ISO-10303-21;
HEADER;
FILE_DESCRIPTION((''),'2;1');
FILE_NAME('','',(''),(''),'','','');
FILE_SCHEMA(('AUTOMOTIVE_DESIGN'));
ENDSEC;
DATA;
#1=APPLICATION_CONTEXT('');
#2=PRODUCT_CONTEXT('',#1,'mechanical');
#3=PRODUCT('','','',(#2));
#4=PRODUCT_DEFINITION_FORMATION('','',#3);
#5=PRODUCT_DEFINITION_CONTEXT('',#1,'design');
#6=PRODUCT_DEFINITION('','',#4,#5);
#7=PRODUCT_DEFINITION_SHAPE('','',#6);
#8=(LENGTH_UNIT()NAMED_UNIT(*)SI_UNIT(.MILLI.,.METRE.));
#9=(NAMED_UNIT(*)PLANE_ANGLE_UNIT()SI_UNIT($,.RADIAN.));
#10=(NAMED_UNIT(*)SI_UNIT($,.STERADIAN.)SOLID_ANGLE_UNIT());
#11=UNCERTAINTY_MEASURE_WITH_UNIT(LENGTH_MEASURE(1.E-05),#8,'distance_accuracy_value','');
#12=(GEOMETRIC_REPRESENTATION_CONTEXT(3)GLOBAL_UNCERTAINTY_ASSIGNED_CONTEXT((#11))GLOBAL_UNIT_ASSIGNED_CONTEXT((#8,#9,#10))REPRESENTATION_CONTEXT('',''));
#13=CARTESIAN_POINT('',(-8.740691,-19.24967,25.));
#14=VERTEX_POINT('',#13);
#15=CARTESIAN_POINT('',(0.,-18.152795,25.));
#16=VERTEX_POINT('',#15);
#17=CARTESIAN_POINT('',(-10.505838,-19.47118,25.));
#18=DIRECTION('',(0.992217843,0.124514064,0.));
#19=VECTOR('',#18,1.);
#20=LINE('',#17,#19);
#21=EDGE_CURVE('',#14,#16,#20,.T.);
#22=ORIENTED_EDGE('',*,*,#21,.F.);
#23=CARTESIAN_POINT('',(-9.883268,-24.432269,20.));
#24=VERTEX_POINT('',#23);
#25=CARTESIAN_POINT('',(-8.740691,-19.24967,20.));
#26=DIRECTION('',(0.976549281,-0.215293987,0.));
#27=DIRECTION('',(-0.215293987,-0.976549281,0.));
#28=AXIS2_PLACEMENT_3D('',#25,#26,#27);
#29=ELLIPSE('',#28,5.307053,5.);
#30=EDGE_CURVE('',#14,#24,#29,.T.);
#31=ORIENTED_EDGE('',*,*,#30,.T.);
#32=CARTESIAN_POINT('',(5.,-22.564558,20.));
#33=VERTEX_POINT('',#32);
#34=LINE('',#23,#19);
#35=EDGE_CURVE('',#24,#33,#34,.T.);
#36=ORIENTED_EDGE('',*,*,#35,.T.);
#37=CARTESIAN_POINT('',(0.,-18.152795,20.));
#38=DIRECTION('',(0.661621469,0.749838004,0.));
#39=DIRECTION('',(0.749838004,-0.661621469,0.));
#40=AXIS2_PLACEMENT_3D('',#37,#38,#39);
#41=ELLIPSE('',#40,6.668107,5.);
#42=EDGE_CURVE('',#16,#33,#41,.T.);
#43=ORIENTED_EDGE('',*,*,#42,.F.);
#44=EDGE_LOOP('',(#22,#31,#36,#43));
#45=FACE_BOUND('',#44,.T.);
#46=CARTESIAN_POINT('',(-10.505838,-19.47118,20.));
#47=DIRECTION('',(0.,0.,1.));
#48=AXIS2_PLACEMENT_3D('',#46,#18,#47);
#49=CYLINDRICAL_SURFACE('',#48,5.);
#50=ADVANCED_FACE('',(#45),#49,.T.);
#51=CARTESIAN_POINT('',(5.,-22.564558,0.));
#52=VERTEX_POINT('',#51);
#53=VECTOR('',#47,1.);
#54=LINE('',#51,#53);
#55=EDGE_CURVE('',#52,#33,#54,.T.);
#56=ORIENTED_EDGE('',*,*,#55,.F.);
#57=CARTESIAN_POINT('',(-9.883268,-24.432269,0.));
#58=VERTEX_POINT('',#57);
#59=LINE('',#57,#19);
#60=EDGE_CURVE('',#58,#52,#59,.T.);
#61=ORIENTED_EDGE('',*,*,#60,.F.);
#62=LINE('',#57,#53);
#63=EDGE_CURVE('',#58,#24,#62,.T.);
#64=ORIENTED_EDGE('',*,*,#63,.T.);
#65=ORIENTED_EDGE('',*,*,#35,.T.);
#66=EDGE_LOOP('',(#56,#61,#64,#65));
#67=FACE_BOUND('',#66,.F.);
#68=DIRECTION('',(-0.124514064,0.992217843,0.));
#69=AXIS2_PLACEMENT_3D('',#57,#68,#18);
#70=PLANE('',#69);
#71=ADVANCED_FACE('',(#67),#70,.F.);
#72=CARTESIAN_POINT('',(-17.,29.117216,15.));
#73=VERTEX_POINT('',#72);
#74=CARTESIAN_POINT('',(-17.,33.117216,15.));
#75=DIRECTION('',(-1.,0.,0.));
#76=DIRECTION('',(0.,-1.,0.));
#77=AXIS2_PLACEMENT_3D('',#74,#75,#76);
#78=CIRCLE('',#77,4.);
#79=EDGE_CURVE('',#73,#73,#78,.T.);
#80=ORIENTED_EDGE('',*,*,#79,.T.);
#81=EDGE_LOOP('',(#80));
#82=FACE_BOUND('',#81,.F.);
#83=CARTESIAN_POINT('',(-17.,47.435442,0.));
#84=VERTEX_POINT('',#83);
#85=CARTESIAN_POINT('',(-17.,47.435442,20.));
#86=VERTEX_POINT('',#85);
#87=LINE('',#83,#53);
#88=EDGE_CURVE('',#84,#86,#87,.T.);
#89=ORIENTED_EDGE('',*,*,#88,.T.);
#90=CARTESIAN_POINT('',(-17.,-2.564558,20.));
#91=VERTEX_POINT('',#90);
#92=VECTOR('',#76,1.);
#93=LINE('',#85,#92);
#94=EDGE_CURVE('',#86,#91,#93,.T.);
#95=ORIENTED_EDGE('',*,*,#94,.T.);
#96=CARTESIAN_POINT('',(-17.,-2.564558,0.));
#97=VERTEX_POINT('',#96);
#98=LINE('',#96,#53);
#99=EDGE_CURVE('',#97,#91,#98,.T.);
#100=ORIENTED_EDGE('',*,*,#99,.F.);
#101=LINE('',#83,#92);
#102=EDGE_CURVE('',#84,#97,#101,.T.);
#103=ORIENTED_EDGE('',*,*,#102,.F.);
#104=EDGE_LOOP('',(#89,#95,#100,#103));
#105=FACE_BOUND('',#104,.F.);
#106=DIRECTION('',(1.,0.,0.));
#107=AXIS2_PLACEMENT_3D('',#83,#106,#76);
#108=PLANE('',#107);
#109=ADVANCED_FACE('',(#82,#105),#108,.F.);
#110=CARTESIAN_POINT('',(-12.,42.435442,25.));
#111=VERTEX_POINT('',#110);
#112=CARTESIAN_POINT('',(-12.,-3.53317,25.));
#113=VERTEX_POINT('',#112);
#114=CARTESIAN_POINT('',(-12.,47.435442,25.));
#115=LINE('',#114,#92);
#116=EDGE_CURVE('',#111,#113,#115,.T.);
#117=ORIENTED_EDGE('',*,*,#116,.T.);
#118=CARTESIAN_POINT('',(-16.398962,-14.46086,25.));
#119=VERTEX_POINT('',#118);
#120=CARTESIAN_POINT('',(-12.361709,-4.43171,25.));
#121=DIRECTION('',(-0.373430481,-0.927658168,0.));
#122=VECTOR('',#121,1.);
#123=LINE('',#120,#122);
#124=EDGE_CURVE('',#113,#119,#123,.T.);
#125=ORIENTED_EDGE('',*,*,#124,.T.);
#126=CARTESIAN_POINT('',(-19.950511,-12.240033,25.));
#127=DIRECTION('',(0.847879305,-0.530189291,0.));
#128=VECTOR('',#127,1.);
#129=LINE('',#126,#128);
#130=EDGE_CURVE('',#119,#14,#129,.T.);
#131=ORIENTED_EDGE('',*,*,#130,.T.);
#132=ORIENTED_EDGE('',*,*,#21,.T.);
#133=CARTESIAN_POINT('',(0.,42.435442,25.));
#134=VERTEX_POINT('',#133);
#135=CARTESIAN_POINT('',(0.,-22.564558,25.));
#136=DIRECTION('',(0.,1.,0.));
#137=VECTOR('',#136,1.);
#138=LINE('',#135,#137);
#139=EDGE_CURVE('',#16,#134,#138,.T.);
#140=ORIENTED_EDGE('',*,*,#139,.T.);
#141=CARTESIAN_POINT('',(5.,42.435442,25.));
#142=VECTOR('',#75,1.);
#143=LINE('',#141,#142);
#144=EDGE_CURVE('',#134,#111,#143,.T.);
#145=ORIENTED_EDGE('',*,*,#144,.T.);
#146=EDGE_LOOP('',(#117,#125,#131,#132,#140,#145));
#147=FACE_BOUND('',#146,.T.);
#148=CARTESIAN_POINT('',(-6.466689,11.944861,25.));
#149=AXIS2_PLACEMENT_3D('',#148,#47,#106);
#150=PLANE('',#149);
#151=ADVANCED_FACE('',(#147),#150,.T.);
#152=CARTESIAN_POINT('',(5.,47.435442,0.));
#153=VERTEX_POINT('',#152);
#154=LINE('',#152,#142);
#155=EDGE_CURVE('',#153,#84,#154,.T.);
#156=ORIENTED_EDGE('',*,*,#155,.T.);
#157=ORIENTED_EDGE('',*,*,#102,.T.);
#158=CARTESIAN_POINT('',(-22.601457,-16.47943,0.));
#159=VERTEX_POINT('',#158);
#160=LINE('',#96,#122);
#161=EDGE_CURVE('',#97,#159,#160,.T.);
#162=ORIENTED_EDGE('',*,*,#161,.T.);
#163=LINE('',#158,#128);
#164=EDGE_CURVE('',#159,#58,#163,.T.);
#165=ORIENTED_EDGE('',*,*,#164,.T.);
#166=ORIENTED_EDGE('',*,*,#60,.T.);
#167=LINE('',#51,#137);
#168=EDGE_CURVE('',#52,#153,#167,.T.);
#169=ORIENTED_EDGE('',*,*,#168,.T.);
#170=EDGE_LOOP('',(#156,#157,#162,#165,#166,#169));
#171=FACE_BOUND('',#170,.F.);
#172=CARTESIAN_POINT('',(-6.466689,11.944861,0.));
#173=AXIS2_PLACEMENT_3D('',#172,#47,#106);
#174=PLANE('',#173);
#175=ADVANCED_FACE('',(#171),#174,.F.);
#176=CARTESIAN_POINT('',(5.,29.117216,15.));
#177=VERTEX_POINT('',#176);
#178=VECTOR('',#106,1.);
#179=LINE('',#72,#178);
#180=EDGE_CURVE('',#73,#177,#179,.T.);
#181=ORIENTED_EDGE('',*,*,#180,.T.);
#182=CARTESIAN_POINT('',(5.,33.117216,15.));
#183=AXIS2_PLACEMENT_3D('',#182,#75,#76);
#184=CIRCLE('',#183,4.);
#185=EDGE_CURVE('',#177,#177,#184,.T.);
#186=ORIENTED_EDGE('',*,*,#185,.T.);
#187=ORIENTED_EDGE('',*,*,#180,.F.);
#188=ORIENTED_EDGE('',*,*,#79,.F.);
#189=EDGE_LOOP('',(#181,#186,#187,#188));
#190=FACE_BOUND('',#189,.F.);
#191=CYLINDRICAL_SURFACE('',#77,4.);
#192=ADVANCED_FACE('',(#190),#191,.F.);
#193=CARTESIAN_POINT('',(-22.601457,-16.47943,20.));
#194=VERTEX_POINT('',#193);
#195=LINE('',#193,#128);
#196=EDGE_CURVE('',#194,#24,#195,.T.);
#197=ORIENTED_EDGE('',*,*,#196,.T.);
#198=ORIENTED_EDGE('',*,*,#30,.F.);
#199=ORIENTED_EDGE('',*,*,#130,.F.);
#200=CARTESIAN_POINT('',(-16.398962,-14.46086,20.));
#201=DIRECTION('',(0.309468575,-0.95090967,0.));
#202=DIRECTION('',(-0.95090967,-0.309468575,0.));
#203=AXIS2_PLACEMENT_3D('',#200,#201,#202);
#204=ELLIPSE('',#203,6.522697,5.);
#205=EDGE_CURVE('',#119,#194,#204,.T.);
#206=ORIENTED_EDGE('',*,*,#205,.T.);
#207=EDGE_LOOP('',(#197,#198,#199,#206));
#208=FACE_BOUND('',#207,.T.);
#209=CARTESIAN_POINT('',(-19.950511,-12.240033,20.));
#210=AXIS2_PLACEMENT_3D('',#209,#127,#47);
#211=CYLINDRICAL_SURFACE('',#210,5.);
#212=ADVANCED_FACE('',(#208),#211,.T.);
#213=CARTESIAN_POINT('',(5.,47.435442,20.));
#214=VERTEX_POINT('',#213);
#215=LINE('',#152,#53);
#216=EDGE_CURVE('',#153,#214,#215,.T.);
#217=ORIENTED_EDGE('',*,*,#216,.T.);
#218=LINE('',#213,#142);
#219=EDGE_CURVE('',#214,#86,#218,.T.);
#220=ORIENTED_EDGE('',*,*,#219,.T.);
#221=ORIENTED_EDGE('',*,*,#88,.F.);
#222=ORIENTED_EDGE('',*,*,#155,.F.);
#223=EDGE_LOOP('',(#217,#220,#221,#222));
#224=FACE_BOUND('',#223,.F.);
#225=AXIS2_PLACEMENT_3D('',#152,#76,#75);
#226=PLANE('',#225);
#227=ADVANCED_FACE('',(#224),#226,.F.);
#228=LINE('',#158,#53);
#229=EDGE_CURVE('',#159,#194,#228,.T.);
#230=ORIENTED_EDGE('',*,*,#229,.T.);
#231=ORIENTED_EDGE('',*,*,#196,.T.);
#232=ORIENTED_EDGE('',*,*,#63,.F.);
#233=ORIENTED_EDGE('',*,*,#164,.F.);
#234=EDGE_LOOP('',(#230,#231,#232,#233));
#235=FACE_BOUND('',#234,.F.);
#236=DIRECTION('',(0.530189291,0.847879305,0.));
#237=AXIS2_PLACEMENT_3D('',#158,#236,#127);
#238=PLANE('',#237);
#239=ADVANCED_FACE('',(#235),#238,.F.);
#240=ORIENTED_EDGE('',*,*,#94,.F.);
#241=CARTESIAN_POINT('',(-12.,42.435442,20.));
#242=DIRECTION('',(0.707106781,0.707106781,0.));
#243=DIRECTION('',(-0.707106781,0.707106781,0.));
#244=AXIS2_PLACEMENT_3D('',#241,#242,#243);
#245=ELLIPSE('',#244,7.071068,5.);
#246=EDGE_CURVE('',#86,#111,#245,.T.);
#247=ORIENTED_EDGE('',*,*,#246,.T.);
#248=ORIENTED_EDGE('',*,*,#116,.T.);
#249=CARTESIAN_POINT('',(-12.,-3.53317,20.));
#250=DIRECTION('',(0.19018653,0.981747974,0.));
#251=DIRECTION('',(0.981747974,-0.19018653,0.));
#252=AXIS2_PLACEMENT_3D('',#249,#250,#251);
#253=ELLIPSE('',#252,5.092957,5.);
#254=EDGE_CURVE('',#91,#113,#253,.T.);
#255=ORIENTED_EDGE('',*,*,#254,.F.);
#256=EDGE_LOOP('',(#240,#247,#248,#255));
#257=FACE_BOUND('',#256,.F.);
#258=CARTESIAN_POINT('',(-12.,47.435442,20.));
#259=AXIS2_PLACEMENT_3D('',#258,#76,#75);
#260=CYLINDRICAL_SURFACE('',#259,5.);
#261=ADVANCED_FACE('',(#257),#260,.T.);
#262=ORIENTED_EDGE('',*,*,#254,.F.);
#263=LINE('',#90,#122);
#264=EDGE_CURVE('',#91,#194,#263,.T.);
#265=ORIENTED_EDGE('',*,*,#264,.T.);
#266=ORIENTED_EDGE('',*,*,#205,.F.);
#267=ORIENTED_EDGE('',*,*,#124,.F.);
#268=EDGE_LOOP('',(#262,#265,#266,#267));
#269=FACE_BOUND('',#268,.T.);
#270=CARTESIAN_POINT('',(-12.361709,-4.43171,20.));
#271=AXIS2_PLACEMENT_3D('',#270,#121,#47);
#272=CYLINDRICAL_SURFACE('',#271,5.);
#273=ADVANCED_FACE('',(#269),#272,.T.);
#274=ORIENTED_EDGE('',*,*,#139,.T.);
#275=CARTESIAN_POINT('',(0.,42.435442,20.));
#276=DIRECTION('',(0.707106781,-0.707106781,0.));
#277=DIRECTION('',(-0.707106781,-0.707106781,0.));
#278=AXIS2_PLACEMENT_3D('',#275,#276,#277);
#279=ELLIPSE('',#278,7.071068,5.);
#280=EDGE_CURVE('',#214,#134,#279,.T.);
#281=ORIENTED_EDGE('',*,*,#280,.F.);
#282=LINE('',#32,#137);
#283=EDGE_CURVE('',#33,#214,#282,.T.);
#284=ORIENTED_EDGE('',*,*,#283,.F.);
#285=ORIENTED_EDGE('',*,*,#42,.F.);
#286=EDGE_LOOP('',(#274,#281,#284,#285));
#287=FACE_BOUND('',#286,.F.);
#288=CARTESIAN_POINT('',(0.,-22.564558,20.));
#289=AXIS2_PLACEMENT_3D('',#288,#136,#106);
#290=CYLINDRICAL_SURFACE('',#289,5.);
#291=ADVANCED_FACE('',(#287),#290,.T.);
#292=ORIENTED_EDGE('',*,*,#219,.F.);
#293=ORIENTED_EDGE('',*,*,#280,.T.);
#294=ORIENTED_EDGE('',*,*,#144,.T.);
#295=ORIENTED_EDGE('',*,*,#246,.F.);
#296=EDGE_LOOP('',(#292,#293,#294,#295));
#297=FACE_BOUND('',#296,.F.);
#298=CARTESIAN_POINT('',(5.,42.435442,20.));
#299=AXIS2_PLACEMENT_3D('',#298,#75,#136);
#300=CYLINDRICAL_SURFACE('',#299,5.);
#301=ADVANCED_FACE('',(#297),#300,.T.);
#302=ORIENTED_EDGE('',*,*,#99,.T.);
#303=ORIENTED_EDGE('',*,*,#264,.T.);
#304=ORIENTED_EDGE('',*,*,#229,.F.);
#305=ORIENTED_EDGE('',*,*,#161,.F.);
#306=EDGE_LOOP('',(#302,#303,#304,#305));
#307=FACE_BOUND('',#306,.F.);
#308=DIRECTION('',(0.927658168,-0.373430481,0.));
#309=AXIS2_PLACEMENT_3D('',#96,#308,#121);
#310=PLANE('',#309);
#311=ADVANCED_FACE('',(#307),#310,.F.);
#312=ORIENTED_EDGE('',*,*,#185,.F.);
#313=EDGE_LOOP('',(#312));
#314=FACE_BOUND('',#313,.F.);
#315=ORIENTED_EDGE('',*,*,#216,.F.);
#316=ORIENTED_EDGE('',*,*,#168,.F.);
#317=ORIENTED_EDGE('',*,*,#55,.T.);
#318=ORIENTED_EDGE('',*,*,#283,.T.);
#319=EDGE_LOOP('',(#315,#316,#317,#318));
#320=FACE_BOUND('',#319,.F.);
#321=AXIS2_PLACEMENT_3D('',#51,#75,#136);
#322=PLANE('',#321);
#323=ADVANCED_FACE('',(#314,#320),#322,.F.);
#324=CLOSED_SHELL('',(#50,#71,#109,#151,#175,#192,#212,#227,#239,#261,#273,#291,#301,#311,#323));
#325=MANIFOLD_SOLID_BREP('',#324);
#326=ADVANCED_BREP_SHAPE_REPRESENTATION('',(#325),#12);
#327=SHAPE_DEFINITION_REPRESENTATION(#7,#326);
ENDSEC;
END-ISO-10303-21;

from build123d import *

# Parameters (mm, degrees)
F1_DEPTH = 25
F2_R     = 4
F3_DEPTH = 22.001
F4_R     = 5


with BuildPart() as f1:
    # F0 (on Top) → F1 (new body)
    with BuildSketch(Plane.XY):
        Polygon((5, 47.435442), (-17, 47.435442), (-17, -2.564558), (-22.601457, -16.47943), (-9.883268, -24.432269), (5, -22.564558), align=None)
    extrude(amount=F1_DEPTH)

    # F2 (on face) → F3 (cut, through all)
    with BuildSketch(Plane(origin=(-17, 0, 0), x_dir=(0, -1, 0), z_dir=(-1, 0, 0))):
        with Locations((-33.117216, 15)):
            Circle(F2_R)
    extrude(amount=-F3_DEPTH, mode=Mode.SUBTRACT)

    # F4
    f4_edges = [f1.edges().sort_by_distance(p)[0] for p in [
        (-6, 47.435442, 25),
        (-17, 22.435442, 25),
        (-19.800729, -9.521994, 25),
        (-16.242363, -20.45585, 25),
        (-2.441634, -23.498413, 25),
        (5, 12.435442, 25),
    ]]
    fillet(f4_edges, radius=F4_R)


solid = f1.part
